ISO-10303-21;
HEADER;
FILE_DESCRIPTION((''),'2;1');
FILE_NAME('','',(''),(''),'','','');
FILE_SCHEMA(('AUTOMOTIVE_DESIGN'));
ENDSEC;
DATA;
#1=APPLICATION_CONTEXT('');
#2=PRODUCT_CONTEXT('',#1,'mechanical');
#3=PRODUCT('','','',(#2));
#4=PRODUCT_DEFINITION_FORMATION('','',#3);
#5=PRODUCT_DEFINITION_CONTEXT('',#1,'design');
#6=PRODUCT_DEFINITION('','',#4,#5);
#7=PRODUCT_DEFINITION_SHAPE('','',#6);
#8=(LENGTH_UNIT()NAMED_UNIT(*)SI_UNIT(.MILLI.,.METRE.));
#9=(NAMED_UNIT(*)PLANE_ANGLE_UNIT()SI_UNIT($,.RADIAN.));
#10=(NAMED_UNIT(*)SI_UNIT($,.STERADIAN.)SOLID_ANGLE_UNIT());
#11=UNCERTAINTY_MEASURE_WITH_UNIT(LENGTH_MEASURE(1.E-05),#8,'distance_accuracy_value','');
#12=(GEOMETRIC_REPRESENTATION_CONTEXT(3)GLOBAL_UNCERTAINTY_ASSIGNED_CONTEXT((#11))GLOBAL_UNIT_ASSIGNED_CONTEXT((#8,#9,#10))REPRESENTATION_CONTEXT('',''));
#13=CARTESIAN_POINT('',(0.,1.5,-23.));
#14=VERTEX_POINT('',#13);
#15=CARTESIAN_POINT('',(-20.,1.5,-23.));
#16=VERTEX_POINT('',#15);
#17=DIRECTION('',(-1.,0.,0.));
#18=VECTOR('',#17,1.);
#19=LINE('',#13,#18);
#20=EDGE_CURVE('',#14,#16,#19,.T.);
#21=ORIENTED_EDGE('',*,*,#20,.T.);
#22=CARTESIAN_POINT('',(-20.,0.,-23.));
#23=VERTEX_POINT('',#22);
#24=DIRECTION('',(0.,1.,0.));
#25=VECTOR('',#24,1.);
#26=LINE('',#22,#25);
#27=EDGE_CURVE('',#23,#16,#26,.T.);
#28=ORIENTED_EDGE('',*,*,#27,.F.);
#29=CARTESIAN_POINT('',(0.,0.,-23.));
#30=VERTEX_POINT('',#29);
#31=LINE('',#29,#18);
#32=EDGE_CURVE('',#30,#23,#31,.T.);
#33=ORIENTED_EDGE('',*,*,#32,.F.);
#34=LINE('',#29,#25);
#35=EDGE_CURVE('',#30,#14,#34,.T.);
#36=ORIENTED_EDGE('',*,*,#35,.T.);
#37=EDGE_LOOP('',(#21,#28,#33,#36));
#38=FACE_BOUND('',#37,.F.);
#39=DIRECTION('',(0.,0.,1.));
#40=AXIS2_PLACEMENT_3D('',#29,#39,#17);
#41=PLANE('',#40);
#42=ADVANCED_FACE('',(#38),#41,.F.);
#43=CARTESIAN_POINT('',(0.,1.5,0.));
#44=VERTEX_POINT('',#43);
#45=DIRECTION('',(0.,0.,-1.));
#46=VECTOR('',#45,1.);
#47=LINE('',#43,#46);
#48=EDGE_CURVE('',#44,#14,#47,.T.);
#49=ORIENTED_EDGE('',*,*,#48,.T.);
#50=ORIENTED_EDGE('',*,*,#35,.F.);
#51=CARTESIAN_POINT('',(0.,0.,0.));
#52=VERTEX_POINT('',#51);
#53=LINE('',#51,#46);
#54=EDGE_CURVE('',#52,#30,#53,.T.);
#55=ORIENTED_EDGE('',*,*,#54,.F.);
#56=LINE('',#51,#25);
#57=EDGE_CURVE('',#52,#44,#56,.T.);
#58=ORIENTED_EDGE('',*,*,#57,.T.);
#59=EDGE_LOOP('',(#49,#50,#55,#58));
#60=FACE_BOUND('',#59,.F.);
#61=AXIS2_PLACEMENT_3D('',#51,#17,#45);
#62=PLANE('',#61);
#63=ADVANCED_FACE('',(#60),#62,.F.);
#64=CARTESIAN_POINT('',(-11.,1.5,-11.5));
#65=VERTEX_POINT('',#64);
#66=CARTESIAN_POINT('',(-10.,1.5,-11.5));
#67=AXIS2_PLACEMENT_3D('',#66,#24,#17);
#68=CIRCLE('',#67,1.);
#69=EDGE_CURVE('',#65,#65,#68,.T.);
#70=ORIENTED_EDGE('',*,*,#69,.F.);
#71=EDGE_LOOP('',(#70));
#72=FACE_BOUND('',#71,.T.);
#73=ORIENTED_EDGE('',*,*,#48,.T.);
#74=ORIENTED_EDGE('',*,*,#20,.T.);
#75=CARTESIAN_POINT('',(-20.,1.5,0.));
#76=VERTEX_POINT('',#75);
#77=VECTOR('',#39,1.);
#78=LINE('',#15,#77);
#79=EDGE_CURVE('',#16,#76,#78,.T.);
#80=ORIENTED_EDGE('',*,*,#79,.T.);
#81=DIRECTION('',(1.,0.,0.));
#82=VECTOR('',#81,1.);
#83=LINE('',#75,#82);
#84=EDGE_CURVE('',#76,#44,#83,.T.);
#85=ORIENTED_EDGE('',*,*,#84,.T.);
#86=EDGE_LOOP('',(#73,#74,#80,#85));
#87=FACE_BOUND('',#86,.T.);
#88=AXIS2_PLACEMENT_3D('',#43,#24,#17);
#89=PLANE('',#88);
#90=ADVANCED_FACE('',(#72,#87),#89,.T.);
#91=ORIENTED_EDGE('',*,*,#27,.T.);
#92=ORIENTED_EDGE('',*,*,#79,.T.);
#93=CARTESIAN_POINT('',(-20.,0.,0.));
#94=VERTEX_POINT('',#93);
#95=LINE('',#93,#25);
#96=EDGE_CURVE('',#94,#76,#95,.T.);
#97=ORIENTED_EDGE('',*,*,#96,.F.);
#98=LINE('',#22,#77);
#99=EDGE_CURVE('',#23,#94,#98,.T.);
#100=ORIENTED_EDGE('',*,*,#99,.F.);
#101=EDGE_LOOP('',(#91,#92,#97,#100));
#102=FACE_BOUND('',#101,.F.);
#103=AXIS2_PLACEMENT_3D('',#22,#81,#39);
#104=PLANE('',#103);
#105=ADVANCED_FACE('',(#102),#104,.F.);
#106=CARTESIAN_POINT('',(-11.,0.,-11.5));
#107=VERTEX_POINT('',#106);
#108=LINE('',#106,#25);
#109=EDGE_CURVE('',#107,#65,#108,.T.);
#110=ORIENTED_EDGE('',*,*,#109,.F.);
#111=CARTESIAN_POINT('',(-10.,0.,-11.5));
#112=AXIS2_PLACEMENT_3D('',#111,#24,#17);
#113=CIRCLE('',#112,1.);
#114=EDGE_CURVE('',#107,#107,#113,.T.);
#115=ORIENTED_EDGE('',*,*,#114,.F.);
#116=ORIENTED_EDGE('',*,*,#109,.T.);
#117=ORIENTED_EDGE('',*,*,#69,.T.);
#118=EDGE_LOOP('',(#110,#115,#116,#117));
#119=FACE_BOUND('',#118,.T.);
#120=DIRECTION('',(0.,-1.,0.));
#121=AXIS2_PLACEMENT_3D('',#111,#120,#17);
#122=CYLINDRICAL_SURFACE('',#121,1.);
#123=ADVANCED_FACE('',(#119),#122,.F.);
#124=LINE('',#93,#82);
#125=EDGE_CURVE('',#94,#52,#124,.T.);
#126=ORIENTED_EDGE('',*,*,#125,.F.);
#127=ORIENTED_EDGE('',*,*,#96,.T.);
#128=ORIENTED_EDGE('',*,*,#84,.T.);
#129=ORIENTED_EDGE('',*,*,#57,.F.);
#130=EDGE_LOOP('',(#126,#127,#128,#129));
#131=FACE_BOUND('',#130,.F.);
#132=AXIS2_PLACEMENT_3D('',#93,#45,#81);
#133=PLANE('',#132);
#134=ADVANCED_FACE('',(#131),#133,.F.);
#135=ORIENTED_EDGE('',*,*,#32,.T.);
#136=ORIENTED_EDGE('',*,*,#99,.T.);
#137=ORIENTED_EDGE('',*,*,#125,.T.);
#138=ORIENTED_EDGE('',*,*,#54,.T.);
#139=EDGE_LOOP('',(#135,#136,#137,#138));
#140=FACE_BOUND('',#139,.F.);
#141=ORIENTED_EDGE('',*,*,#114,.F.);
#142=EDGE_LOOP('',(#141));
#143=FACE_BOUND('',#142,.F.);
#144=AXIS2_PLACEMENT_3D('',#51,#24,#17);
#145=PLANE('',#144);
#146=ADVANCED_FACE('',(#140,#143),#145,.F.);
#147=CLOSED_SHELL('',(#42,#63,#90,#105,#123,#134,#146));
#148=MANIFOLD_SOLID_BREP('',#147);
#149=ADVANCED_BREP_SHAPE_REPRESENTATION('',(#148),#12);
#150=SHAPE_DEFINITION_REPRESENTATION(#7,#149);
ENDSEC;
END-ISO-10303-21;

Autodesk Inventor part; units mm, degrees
ref_plane "YZ Plane" through (0, 0, 0) normal (1, 0, 0) x (0, 1, 0)
ref_plane "XZ Plane" through (0, 0, 0) normal (0, 1, 0) x (-1, 0, 0)
ref_plane "XY Plane" through (0, 0, 0) normal (0, 0, 1) x (1, 0, 0)
sketch "Sketch1" plane through (0, 0, 0) normal (0, 1, 0) x (-1, 0, 0)
  line L0 (0, 0) -> (0, -23)
  line L1 (0, -23) -> (20, -23)
  line L2 (20, -23) -> (20, 0)
  line L3 (16.0214, -11.5) -> (3.8301, -11.5) construction
  circle A0 centre (10, -11.5) radius 1
  line L4 (20, 0) -> (0, 0)
  dimension "d0" = 23
  dimension "d2" = 2
  dimension "d3" = 10
  dimension "d10" = 20
extrude "Extrusion3" add sketch "Sketch1" along normal blind 1.5
properties part number "Distance_test_adaptor_circle_2mm"
